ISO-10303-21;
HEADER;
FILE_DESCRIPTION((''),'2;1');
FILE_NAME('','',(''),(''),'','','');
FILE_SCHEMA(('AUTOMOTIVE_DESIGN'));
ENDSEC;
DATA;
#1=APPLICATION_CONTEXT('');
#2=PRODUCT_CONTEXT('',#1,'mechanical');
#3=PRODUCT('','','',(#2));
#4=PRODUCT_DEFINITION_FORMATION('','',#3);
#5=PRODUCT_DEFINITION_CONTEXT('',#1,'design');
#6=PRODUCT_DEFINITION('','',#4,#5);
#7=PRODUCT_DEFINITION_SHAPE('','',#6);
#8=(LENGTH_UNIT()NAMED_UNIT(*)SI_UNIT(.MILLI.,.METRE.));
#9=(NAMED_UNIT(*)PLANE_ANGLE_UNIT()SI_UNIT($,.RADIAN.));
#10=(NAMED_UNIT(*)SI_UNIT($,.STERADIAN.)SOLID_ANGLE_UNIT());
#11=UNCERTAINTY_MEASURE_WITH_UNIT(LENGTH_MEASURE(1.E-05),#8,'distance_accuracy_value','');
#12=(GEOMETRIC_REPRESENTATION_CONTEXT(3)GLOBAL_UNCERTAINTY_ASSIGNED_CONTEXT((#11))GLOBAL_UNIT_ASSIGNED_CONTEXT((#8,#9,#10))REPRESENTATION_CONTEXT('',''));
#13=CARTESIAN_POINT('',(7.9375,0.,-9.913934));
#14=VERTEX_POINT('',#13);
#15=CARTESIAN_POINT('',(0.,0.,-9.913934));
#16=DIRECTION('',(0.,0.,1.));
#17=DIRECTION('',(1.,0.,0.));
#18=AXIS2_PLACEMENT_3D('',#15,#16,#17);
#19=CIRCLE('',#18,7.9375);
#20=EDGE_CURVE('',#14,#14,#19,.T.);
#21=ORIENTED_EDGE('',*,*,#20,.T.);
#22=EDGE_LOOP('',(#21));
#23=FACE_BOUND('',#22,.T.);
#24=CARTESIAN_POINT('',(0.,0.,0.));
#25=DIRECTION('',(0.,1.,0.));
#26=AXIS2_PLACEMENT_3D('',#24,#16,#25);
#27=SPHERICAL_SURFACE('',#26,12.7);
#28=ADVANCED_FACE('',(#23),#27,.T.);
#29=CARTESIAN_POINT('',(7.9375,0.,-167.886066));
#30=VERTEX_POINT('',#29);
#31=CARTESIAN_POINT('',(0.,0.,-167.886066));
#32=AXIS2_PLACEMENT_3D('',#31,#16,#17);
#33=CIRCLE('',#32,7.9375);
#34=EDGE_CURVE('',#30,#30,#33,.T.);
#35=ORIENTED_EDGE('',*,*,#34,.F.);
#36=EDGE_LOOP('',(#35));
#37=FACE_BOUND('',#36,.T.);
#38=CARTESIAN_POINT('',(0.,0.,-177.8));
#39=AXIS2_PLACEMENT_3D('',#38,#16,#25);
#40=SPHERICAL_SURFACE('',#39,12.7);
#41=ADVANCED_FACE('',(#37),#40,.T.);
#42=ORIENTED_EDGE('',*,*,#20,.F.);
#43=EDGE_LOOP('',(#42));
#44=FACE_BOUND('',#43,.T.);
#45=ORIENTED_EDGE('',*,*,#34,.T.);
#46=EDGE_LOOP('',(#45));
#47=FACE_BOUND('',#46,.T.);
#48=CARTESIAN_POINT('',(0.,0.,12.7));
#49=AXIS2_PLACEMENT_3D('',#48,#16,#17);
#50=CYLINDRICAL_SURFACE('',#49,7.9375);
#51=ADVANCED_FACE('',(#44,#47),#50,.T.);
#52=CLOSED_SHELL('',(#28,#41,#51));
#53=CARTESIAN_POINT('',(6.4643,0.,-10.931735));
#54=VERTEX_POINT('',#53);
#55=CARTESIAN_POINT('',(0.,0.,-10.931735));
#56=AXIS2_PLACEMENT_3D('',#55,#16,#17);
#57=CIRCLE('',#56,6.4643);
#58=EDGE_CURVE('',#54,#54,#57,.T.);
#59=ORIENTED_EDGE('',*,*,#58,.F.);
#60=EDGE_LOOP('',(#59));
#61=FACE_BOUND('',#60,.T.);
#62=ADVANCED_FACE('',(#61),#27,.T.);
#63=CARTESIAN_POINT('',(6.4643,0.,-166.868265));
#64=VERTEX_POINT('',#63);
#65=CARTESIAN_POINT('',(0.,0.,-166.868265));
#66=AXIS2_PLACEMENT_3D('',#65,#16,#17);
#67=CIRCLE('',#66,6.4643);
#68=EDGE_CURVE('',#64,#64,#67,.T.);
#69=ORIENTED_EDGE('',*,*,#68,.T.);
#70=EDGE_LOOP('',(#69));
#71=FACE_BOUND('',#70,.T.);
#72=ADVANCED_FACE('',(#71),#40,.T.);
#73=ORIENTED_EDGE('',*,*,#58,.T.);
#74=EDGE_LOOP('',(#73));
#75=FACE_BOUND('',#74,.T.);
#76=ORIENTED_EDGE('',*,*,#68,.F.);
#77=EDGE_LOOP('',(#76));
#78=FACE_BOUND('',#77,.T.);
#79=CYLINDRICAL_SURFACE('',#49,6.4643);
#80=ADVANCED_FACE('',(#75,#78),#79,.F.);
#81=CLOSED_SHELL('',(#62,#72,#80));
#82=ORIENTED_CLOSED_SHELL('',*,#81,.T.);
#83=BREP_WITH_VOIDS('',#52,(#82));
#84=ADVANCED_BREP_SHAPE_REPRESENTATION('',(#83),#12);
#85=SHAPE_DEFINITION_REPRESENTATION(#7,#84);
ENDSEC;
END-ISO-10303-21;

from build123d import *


with BuildPart() as part:
    # Sketch1 → Revolve5 (revolve)
    with BuildSketch(Plane(origin=(0, 0, 0), x_dir=(0, 0, -1), z_dir=(1, 0, 0))):
        with BuildLine():
            Line((9.913934322, 7.9375), (167.886065678, 7.9375))
            ThreePointArc((167.886065678, 7.9375), (182.006128511, 11.983258444), (190.5, 0))
            Line((190.5, 0), (165.1, 0))
            ThreePointArc((165.1, 0), (165.550040167, 3.350893028), (166.86826521, 6.4643))
            Line((166.86826521, 6.4643), (10.93173479, 6.4643))
            ThreePointArc((10.93173479, 6.4643), (12.249959833, 3.350893028), (12.7, 0))
            Line((12.7, 0), (-12.7, 0))
            ThreePointArc((-12.7, 0), (-4.206128511, 11.983258444), (9.913934322, 7.9375))
        make_face()
    revolve(axis=Axis((0, 0, 12.7), (0, 0, -1)))


solid = part.part
